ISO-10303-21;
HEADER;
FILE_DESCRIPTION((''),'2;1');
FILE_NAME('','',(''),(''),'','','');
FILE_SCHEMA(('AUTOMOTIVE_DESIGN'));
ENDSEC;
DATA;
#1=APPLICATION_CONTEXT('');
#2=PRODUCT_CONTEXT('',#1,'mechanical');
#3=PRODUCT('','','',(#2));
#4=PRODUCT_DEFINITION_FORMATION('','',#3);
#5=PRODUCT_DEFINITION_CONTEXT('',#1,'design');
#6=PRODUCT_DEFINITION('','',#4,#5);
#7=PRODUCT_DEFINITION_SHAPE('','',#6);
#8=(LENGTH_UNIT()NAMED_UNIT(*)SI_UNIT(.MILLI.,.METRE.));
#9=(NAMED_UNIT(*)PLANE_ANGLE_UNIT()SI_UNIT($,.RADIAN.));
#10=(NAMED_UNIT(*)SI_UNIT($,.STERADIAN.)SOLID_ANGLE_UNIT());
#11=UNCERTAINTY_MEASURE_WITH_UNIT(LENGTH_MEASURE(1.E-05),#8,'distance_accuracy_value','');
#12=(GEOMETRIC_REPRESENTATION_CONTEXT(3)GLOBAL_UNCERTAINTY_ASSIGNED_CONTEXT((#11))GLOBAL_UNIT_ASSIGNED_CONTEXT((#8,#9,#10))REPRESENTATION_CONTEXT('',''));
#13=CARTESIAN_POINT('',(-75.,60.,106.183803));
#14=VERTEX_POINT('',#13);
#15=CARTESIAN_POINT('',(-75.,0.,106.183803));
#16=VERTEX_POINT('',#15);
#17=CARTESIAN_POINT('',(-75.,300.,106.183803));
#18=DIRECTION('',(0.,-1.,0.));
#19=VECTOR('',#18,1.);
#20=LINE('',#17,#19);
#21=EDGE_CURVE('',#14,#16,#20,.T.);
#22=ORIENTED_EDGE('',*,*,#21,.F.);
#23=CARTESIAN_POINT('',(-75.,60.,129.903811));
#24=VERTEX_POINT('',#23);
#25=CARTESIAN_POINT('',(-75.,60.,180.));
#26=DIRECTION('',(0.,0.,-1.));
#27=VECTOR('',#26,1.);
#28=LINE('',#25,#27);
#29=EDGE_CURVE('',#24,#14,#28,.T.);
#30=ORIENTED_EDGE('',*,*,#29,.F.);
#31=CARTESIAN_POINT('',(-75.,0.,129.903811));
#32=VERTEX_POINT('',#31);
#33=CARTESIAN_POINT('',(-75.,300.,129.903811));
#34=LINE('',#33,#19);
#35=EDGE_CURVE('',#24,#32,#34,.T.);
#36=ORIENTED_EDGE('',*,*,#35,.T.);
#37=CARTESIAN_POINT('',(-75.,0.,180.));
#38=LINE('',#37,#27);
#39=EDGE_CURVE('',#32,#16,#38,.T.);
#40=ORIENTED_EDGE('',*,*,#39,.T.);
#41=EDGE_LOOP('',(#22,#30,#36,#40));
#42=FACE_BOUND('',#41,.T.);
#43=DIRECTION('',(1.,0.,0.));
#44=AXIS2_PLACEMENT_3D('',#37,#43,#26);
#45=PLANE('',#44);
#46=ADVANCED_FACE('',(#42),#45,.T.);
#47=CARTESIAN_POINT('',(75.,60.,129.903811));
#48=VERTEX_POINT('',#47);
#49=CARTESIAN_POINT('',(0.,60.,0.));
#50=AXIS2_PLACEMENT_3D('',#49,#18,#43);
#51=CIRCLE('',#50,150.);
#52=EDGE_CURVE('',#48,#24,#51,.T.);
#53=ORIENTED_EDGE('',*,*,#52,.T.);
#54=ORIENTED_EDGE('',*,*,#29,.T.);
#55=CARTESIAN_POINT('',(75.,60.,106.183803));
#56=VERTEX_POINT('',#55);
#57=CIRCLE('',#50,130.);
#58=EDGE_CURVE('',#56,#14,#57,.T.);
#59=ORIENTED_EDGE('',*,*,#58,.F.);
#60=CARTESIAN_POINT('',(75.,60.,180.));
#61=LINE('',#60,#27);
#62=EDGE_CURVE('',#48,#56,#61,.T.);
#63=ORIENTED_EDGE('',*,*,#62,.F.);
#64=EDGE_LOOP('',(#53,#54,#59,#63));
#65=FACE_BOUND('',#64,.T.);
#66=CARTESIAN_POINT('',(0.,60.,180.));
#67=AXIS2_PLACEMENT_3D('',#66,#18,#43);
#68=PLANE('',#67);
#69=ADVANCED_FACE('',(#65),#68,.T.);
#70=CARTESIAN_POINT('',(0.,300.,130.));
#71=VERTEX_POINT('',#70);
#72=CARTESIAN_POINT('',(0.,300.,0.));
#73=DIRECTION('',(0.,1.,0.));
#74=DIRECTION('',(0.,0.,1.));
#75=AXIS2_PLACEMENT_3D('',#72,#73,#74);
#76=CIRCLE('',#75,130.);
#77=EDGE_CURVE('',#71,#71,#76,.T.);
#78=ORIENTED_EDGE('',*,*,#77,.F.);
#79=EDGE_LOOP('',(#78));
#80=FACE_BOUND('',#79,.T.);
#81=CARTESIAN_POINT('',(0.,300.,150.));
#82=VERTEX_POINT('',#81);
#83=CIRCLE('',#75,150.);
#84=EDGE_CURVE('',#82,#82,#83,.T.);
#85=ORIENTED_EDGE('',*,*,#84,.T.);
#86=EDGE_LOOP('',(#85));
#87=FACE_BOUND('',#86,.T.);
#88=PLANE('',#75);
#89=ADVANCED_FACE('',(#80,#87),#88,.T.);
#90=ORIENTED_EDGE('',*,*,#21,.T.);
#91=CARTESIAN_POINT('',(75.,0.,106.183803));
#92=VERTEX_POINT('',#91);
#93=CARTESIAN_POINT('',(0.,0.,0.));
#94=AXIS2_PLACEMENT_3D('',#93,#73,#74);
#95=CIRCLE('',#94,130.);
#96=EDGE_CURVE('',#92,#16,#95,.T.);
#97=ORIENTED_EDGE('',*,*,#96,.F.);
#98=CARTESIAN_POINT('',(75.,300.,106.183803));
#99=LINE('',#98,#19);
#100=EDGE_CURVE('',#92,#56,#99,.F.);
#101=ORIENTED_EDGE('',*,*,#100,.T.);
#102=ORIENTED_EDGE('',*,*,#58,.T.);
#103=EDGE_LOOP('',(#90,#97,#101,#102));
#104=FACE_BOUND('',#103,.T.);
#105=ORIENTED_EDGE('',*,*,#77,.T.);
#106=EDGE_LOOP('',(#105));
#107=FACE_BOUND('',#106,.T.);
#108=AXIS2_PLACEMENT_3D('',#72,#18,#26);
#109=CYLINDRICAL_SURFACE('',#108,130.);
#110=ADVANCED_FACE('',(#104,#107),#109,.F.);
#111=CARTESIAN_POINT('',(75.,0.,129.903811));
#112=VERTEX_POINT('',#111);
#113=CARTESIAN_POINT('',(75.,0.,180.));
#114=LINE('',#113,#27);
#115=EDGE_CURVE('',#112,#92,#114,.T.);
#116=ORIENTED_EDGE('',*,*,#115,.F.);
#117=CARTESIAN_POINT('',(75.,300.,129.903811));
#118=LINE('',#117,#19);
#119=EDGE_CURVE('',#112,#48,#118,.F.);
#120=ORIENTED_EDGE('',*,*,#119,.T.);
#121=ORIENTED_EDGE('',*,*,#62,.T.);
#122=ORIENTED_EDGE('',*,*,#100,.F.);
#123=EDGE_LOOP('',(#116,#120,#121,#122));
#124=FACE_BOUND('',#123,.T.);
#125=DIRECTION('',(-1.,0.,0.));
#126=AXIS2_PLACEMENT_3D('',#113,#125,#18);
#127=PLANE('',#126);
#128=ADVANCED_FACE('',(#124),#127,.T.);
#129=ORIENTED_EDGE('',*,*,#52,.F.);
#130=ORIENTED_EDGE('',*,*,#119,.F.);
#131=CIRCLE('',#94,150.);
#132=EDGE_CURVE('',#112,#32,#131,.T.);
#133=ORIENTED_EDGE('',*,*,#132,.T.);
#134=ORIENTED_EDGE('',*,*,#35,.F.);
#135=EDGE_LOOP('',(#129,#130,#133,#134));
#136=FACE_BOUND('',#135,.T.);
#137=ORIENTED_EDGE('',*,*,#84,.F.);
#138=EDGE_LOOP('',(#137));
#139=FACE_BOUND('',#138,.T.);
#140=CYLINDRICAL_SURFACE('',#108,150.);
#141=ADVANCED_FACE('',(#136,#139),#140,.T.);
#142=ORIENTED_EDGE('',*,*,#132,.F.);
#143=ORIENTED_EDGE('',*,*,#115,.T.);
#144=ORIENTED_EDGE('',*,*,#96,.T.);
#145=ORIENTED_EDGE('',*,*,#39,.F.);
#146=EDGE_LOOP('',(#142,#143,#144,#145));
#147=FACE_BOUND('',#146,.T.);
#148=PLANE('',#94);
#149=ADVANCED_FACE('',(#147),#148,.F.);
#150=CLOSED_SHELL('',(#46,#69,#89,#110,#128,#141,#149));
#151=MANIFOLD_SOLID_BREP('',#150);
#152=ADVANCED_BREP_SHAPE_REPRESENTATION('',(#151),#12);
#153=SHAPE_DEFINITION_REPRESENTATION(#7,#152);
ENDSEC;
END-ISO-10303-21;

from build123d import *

# Parameters (mm, degrees)
IZIM1_R                     = 150
IZIM1_R_2                   = 130
Y_KSEKLIK_EKSTR_ZYON1_DEPTH = 300
IZIM2_W                     = 75
IZIM2_H                     = 60
KES_EKSTR_ZYON1_DEPTH       = 180


with BuildPart() as part:
    # Çizim1 → Yükseklik-Ekstrüzyon1 (new body)
    with BuildSketch(Plane(origin=(0, 0, 0), x_dir=(1, 0, 0), z_dir=(0, 1, 0))):
        with Locations(Location((0, 0, 0), (0, 0, 270))):
            Circle(IZIM1_R)
        with Locations(Location((0, 0, 0), (0, 0, 270))):
            Circle(IZIM1_R_2, mode=Mode.SUBTRACT)
    extrude(amount=Y_KSEKLIK_EKSTR_ZYON1_DEPTH)

    # Çizim2 → Kes-Ekstrüzyon1 (cut)
    with BuildSketch(Plane.XY):
        with Locations((-37.5, 30)):
            Rectangle(IZIM2_W, IZIM2_H)
        with Locations((37.5, 30)):
            Rectangle(IZIM2_W, IZIM2_H)
    extrude(amount=KES_EKSTR_ZYON1_DEPTH, mode=Mode.SUBTRACT)


solid = part.part
